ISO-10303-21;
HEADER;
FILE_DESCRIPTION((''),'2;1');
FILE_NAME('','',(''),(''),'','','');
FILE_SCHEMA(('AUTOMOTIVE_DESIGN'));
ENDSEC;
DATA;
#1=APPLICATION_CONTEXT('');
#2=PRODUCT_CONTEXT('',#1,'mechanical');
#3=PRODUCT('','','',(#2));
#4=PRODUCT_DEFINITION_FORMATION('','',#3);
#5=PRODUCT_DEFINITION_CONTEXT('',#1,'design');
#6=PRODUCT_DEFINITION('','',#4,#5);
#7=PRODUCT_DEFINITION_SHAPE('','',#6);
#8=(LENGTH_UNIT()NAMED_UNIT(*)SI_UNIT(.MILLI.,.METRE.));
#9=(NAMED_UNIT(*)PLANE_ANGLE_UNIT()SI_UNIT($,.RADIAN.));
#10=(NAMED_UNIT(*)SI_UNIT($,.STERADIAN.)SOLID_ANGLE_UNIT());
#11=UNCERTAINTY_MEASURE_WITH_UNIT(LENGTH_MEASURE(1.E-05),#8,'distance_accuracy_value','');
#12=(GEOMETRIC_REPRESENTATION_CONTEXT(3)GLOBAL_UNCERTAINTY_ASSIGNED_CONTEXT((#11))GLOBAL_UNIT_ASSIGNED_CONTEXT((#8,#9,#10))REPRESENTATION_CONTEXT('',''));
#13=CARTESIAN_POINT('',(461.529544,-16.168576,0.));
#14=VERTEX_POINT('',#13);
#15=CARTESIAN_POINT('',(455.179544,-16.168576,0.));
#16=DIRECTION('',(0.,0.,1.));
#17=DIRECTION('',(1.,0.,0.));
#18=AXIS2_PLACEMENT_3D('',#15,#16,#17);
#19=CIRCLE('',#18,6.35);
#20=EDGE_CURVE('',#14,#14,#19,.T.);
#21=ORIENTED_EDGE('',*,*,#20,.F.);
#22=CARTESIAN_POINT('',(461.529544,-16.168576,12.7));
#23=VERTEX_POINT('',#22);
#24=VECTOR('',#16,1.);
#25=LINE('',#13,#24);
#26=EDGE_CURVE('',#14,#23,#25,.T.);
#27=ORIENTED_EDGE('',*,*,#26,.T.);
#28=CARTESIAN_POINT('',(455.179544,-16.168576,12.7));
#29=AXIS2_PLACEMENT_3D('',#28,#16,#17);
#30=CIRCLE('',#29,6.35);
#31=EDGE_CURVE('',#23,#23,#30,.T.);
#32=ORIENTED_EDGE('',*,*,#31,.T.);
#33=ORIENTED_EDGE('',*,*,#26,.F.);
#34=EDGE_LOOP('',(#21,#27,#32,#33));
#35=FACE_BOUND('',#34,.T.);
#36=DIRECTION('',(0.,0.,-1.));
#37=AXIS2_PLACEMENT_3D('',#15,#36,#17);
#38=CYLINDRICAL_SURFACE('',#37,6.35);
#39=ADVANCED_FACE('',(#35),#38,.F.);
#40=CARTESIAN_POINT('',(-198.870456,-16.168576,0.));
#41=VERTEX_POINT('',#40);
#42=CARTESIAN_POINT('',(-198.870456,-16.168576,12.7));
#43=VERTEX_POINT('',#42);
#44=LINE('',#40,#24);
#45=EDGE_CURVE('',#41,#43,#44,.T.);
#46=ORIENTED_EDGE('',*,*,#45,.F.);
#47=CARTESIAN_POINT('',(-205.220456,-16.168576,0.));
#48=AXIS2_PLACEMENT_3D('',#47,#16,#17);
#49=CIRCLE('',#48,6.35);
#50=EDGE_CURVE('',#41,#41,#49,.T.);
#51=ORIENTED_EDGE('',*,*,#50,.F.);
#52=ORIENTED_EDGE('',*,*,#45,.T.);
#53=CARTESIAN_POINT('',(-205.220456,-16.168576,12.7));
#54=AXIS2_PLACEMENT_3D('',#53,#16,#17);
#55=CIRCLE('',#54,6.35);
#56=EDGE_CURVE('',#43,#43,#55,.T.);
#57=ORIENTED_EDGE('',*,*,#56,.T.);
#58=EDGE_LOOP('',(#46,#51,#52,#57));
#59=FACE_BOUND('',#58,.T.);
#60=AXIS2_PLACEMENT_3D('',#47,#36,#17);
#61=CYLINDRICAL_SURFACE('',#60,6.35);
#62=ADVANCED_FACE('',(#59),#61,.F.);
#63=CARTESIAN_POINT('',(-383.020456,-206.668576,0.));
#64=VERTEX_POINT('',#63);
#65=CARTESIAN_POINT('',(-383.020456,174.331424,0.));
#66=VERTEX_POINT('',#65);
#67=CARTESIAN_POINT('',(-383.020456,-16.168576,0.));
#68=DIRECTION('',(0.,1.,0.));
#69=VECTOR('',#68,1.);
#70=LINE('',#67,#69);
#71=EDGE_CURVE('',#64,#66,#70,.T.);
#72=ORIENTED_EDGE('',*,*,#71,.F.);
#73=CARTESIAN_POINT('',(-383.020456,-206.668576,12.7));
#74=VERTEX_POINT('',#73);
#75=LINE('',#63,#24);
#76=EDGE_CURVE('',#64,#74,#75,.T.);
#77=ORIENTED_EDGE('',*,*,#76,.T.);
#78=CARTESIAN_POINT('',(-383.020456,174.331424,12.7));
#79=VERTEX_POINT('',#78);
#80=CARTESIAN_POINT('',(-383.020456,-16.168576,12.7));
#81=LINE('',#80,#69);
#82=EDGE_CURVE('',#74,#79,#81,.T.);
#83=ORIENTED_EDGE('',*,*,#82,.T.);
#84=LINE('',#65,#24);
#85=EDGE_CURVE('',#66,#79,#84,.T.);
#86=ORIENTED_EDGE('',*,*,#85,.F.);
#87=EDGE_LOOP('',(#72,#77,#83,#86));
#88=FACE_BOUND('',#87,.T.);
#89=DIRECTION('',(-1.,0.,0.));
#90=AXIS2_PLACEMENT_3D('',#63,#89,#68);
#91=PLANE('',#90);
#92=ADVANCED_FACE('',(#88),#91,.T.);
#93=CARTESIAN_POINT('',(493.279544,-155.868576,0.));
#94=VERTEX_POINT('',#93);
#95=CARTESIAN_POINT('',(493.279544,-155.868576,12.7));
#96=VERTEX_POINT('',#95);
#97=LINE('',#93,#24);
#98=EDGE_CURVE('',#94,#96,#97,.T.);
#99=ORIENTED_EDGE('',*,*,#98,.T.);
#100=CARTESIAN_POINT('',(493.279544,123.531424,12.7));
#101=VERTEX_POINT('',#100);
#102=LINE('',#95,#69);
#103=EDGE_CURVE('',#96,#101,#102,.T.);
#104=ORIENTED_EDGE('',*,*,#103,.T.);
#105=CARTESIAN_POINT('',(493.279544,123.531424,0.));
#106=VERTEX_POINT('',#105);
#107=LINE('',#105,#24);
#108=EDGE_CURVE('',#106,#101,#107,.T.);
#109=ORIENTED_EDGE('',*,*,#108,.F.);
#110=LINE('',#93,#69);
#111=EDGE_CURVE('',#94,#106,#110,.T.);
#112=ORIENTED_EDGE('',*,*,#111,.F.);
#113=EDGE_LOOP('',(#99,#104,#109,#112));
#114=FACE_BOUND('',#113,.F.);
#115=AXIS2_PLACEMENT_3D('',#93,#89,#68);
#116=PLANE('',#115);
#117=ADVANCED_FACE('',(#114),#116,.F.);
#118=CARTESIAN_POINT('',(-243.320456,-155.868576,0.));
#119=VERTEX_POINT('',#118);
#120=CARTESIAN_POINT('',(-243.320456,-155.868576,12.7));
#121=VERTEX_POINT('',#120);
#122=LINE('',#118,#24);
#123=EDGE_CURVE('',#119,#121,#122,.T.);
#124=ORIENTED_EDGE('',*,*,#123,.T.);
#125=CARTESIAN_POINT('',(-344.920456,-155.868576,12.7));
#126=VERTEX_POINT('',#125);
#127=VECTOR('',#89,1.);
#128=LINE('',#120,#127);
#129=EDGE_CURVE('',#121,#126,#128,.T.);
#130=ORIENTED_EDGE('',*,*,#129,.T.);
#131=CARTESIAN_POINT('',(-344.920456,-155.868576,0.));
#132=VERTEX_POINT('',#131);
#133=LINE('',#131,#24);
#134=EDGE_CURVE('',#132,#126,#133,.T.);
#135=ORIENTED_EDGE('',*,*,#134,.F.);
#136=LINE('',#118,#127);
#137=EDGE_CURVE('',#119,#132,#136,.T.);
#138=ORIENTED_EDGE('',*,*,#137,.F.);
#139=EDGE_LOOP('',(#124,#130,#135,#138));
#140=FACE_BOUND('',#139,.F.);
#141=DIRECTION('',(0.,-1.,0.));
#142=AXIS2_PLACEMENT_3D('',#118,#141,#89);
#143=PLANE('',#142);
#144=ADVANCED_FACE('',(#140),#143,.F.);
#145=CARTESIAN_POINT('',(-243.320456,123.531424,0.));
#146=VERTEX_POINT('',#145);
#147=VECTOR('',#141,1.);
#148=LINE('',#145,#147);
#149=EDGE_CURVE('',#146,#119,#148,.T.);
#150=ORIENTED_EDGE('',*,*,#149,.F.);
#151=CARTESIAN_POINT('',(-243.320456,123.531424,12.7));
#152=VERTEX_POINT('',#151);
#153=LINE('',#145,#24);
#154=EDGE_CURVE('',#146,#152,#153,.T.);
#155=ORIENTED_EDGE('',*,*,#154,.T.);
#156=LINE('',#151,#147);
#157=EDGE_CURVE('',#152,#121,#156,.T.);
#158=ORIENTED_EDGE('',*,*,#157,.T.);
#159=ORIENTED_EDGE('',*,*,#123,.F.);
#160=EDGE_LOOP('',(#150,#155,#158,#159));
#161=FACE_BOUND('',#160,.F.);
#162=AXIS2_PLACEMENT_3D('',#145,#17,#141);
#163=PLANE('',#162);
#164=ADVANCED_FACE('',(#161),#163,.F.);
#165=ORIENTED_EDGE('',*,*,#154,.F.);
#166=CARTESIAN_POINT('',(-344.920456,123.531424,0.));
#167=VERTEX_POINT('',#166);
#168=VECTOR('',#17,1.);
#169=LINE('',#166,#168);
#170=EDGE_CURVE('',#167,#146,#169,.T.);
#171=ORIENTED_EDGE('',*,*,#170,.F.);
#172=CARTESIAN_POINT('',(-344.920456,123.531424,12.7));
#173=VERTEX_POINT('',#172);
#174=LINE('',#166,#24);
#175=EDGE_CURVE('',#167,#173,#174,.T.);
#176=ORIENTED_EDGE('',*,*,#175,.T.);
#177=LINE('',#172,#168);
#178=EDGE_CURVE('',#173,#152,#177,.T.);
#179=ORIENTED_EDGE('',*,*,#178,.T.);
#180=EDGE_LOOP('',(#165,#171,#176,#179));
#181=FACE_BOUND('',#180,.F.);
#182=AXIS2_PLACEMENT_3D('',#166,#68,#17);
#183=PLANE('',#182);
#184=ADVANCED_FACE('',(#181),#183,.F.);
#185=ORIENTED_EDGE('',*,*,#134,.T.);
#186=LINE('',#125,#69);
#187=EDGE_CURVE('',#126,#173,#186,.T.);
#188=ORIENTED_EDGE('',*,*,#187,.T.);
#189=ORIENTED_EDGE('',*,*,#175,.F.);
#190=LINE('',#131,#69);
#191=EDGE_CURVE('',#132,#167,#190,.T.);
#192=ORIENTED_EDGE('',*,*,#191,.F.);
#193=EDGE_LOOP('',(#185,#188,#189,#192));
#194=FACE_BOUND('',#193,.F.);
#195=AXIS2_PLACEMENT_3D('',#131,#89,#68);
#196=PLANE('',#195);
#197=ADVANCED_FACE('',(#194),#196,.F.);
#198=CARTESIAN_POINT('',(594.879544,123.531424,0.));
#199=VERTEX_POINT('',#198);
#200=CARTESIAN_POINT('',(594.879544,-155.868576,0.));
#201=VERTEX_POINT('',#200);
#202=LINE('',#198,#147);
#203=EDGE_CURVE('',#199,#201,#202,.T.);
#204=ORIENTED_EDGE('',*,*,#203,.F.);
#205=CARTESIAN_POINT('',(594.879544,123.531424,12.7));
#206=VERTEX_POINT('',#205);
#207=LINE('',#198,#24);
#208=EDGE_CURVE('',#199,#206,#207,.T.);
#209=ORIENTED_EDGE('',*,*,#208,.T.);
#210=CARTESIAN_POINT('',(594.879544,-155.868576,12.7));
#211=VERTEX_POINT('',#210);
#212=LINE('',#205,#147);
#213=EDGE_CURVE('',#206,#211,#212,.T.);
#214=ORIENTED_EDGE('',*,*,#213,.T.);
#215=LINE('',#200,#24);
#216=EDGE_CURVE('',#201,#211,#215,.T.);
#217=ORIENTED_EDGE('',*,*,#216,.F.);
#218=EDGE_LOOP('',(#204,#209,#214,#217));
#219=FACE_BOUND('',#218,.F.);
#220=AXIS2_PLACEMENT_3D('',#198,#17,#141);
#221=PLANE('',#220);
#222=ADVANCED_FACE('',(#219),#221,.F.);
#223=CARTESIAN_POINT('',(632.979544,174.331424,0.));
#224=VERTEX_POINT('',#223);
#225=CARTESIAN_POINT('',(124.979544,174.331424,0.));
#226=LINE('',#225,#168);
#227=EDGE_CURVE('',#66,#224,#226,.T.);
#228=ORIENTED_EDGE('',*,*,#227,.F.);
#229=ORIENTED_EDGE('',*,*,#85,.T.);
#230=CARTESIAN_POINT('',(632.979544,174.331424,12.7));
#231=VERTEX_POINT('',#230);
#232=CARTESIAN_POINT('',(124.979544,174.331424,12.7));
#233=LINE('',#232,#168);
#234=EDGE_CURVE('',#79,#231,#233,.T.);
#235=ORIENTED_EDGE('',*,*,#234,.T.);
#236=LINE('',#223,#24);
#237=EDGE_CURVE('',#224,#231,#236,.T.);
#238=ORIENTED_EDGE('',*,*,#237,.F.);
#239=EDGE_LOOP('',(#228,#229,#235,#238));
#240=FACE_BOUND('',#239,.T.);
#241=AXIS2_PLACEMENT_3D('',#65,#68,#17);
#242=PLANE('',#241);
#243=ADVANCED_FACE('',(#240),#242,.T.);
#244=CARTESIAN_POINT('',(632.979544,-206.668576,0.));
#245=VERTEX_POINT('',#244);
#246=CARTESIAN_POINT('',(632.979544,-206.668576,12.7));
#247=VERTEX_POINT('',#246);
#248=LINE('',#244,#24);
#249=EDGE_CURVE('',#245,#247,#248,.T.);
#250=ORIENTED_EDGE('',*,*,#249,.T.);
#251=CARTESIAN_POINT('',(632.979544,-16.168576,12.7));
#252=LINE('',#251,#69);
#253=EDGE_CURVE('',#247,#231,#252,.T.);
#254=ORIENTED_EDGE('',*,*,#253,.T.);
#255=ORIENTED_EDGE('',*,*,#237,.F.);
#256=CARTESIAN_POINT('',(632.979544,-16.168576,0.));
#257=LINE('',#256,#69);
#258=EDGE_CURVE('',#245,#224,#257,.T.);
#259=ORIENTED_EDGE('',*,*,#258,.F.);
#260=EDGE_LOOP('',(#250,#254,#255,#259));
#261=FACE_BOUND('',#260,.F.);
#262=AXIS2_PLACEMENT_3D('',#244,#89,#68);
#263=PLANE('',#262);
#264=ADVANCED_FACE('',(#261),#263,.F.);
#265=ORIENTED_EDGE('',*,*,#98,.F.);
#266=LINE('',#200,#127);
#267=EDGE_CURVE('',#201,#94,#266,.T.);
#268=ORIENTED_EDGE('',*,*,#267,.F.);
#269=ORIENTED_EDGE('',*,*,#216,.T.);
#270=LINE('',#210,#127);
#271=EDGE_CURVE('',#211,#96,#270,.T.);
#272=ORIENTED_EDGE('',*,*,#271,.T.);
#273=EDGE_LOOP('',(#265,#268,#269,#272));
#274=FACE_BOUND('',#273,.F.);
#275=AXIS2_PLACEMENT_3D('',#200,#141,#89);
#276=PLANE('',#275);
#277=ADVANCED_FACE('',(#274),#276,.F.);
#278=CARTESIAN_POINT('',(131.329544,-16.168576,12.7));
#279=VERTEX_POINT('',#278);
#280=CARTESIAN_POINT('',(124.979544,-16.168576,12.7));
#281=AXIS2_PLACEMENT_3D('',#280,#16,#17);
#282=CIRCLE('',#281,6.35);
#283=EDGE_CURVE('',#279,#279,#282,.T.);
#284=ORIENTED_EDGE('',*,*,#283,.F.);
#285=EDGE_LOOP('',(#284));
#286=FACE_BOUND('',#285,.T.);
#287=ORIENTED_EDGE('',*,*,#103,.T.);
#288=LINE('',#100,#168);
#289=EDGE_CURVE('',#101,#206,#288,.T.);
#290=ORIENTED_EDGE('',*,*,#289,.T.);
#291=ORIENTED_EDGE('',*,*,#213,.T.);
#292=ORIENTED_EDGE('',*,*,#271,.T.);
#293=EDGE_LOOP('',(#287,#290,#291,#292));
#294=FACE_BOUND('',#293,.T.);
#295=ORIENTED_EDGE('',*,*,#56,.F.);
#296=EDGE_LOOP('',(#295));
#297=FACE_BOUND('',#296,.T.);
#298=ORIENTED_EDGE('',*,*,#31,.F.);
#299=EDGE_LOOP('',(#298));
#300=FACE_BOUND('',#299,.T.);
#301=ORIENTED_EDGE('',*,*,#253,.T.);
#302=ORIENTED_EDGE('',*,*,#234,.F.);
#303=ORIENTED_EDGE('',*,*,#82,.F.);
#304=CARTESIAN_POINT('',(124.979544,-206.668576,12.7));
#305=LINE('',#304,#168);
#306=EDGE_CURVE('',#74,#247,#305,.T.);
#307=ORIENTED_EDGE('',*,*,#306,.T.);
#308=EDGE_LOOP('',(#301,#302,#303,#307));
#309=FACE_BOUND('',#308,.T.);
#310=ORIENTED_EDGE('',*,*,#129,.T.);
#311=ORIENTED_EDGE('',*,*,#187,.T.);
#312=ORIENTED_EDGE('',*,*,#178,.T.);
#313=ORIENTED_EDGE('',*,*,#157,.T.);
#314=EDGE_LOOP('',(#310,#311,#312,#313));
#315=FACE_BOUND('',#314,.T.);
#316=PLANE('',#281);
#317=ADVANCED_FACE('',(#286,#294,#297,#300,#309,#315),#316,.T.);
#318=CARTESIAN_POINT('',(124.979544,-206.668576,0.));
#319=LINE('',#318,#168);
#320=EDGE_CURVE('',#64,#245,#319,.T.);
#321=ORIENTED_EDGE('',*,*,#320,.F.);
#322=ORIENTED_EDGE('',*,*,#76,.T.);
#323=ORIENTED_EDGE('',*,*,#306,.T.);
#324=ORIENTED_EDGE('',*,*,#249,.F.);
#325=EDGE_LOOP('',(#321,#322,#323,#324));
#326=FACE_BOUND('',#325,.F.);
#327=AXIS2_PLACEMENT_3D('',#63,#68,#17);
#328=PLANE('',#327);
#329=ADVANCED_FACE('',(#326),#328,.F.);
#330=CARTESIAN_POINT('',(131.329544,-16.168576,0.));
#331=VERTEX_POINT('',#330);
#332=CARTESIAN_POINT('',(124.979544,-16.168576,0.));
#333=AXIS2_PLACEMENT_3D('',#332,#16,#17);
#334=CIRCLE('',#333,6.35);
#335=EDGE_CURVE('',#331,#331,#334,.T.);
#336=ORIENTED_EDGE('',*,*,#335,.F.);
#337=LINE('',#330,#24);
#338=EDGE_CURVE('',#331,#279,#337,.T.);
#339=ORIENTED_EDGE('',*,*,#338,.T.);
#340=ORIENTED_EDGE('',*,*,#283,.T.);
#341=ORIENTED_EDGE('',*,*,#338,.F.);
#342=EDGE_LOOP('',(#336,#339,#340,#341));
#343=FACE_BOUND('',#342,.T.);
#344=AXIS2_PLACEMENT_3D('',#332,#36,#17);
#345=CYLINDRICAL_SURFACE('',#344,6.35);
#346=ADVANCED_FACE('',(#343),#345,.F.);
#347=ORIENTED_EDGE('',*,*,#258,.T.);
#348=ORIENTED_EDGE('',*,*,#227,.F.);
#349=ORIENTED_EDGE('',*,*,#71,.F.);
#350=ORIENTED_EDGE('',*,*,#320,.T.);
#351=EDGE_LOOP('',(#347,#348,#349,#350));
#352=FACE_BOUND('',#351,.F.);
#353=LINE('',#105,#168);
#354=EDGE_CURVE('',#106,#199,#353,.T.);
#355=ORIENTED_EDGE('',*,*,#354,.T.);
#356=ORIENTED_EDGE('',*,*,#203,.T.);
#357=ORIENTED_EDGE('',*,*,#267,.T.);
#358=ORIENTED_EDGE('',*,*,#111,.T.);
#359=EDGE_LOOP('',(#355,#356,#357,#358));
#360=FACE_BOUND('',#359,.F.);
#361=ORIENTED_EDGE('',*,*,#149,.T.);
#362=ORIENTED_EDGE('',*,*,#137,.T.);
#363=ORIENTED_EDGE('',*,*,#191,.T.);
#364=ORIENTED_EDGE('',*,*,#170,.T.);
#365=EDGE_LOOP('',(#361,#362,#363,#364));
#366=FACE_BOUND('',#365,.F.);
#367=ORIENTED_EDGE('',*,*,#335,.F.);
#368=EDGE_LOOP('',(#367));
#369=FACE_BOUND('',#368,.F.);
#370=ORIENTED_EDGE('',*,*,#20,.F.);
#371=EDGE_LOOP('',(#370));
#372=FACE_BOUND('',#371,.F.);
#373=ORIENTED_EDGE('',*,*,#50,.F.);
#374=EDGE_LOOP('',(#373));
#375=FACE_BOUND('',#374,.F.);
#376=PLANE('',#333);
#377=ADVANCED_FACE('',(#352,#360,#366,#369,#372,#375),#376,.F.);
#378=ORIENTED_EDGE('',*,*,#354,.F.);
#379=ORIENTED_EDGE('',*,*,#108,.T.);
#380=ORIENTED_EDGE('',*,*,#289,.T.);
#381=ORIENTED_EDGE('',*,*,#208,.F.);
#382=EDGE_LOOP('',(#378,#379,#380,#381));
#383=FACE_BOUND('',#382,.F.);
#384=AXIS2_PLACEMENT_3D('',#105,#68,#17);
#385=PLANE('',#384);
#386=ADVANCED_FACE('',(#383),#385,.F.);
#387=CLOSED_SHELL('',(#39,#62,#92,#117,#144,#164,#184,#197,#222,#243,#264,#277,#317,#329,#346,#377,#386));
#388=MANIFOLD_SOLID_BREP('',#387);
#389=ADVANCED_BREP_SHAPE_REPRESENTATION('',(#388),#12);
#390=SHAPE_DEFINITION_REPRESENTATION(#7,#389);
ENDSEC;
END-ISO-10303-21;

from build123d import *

# Parameters (mm, degrees)
F0_W     = 1016
F0_H     = 381
F0_R     = 6.35
F1_DEPTH = 12.7


with BuildPart() as f1:
    # F0 (on Top) → F1 (new body)
    with BuildSketch(Plane.XY):
        with Locations((124.979544, -16.168576)):
            Rectangle(F0_W, F0_H)
        Polygon((-344.920456, -155.868576), (-344.920456, -16.168576), (-344.920456, 123.531424), (-243.320456, 123.531424), (-243.320456, -155.868576), align=None, mode=Mode.SUBTRACT)
        with Locations((-205.220456, -16.168576)):
            Circle(F0_R, mode=Mode.SUBTRACT)
        with Locations((124.979544, -16.168576)):
            Circle(F0_R, mode=Mode.SUBTRACT)
        with Locations((455.179544, -16.168576)):
            Circle(F0_R, mode=Mode.SUBTRACT)
        Polygon((493.279544, -155.868576), (493.279544, 123.531424), (594.879544, 123.531424), (594.879544, -16.168576), (594.879544, -155.868576), align=None, mode=Mode.SUBTRACT)
    extrude(amount=F1_DEPTH)


solid = f1.part
